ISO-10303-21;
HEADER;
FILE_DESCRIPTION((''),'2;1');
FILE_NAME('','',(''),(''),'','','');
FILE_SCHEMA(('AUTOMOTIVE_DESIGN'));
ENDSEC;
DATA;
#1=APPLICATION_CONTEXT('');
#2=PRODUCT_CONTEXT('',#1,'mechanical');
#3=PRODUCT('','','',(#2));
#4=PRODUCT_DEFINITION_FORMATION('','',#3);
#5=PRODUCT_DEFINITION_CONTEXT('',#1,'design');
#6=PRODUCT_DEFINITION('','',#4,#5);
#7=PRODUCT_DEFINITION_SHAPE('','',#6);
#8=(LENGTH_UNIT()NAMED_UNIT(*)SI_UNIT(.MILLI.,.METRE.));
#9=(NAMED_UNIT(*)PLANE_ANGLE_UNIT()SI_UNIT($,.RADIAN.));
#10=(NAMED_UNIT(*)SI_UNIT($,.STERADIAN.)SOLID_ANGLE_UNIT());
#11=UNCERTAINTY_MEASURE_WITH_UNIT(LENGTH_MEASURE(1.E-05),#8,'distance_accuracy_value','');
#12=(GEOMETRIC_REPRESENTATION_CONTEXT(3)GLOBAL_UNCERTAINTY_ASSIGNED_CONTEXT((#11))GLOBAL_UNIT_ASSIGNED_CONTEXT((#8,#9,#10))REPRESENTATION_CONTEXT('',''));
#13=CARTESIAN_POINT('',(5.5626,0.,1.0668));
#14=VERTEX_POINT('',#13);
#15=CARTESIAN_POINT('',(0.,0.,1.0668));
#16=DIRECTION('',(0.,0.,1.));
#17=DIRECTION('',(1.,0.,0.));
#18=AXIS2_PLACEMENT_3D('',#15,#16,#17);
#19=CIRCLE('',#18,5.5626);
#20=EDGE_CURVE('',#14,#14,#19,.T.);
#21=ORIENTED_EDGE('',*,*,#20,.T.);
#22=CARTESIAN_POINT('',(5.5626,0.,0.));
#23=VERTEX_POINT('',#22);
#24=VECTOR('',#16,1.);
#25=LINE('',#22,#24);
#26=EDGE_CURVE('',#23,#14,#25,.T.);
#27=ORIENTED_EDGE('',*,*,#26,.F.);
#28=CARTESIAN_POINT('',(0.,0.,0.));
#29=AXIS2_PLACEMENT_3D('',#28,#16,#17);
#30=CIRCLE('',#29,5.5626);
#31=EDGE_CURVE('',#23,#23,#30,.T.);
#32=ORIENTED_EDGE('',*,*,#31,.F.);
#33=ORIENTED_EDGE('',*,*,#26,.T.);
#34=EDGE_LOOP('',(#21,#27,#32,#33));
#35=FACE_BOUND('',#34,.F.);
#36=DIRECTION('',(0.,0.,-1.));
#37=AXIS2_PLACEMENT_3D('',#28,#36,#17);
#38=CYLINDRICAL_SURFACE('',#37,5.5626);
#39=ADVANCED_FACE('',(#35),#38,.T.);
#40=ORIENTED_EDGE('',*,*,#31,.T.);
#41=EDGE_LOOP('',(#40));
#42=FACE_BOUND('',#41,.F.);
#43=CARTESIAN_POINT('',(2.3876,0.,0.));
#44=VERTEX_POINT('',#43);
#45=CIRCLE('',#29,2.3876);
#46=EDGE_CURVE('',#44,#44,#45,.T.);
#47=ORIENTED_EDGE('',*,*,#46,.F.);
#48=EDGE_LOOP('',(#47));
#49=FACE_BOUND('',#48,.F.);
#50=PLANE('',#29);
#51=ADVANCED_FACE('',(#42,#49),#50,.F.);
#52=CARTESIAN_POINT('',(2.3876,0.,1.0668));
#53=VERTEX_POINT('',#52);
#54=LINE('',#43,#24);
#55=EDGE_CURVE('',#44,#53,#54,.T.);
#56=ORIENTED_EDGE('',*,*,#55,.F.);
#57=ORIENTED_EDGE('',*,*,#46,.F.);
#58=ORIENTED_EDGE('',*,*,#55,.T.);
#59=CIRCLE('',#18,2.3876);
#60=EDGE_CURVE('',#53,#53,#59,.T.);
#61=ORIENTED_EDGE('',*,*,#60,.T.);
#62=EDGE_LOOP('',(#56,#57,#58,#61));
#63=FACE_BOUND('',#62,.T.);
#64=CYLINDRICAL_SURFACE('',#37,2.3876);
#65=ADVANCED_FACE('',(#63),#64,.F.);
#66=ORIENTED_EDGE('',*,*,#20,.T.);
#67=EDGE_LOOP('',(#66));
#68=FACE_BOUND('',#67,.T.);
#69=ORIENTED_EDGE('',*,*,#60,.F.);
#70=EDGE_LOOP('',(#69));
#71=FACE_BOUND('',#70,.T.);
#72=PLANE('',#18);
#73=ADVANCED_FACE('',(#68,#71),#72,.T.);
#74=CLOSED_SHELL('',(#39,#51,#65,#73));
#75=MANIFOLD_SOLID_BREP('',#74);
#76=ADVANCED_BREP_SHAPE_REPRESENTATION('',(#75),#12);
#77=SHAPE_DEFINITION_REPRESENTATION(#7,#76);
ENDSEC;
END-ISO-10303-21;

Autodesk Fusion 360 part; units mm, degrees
sketch "Sketch1" plane through (0, 0, 0) normal (0, 0, 1) x (1, 0, 0)
  circle A0 centre (0, 0) radius 5.5626
  circle A1 centre (0, 0) radius 2.3876
  dimension "d1" = 11.1252
  dimension "d2" = 4.7752
extrude "Extrude1" add sketch "Sketch1" along normal blind 1.0668
